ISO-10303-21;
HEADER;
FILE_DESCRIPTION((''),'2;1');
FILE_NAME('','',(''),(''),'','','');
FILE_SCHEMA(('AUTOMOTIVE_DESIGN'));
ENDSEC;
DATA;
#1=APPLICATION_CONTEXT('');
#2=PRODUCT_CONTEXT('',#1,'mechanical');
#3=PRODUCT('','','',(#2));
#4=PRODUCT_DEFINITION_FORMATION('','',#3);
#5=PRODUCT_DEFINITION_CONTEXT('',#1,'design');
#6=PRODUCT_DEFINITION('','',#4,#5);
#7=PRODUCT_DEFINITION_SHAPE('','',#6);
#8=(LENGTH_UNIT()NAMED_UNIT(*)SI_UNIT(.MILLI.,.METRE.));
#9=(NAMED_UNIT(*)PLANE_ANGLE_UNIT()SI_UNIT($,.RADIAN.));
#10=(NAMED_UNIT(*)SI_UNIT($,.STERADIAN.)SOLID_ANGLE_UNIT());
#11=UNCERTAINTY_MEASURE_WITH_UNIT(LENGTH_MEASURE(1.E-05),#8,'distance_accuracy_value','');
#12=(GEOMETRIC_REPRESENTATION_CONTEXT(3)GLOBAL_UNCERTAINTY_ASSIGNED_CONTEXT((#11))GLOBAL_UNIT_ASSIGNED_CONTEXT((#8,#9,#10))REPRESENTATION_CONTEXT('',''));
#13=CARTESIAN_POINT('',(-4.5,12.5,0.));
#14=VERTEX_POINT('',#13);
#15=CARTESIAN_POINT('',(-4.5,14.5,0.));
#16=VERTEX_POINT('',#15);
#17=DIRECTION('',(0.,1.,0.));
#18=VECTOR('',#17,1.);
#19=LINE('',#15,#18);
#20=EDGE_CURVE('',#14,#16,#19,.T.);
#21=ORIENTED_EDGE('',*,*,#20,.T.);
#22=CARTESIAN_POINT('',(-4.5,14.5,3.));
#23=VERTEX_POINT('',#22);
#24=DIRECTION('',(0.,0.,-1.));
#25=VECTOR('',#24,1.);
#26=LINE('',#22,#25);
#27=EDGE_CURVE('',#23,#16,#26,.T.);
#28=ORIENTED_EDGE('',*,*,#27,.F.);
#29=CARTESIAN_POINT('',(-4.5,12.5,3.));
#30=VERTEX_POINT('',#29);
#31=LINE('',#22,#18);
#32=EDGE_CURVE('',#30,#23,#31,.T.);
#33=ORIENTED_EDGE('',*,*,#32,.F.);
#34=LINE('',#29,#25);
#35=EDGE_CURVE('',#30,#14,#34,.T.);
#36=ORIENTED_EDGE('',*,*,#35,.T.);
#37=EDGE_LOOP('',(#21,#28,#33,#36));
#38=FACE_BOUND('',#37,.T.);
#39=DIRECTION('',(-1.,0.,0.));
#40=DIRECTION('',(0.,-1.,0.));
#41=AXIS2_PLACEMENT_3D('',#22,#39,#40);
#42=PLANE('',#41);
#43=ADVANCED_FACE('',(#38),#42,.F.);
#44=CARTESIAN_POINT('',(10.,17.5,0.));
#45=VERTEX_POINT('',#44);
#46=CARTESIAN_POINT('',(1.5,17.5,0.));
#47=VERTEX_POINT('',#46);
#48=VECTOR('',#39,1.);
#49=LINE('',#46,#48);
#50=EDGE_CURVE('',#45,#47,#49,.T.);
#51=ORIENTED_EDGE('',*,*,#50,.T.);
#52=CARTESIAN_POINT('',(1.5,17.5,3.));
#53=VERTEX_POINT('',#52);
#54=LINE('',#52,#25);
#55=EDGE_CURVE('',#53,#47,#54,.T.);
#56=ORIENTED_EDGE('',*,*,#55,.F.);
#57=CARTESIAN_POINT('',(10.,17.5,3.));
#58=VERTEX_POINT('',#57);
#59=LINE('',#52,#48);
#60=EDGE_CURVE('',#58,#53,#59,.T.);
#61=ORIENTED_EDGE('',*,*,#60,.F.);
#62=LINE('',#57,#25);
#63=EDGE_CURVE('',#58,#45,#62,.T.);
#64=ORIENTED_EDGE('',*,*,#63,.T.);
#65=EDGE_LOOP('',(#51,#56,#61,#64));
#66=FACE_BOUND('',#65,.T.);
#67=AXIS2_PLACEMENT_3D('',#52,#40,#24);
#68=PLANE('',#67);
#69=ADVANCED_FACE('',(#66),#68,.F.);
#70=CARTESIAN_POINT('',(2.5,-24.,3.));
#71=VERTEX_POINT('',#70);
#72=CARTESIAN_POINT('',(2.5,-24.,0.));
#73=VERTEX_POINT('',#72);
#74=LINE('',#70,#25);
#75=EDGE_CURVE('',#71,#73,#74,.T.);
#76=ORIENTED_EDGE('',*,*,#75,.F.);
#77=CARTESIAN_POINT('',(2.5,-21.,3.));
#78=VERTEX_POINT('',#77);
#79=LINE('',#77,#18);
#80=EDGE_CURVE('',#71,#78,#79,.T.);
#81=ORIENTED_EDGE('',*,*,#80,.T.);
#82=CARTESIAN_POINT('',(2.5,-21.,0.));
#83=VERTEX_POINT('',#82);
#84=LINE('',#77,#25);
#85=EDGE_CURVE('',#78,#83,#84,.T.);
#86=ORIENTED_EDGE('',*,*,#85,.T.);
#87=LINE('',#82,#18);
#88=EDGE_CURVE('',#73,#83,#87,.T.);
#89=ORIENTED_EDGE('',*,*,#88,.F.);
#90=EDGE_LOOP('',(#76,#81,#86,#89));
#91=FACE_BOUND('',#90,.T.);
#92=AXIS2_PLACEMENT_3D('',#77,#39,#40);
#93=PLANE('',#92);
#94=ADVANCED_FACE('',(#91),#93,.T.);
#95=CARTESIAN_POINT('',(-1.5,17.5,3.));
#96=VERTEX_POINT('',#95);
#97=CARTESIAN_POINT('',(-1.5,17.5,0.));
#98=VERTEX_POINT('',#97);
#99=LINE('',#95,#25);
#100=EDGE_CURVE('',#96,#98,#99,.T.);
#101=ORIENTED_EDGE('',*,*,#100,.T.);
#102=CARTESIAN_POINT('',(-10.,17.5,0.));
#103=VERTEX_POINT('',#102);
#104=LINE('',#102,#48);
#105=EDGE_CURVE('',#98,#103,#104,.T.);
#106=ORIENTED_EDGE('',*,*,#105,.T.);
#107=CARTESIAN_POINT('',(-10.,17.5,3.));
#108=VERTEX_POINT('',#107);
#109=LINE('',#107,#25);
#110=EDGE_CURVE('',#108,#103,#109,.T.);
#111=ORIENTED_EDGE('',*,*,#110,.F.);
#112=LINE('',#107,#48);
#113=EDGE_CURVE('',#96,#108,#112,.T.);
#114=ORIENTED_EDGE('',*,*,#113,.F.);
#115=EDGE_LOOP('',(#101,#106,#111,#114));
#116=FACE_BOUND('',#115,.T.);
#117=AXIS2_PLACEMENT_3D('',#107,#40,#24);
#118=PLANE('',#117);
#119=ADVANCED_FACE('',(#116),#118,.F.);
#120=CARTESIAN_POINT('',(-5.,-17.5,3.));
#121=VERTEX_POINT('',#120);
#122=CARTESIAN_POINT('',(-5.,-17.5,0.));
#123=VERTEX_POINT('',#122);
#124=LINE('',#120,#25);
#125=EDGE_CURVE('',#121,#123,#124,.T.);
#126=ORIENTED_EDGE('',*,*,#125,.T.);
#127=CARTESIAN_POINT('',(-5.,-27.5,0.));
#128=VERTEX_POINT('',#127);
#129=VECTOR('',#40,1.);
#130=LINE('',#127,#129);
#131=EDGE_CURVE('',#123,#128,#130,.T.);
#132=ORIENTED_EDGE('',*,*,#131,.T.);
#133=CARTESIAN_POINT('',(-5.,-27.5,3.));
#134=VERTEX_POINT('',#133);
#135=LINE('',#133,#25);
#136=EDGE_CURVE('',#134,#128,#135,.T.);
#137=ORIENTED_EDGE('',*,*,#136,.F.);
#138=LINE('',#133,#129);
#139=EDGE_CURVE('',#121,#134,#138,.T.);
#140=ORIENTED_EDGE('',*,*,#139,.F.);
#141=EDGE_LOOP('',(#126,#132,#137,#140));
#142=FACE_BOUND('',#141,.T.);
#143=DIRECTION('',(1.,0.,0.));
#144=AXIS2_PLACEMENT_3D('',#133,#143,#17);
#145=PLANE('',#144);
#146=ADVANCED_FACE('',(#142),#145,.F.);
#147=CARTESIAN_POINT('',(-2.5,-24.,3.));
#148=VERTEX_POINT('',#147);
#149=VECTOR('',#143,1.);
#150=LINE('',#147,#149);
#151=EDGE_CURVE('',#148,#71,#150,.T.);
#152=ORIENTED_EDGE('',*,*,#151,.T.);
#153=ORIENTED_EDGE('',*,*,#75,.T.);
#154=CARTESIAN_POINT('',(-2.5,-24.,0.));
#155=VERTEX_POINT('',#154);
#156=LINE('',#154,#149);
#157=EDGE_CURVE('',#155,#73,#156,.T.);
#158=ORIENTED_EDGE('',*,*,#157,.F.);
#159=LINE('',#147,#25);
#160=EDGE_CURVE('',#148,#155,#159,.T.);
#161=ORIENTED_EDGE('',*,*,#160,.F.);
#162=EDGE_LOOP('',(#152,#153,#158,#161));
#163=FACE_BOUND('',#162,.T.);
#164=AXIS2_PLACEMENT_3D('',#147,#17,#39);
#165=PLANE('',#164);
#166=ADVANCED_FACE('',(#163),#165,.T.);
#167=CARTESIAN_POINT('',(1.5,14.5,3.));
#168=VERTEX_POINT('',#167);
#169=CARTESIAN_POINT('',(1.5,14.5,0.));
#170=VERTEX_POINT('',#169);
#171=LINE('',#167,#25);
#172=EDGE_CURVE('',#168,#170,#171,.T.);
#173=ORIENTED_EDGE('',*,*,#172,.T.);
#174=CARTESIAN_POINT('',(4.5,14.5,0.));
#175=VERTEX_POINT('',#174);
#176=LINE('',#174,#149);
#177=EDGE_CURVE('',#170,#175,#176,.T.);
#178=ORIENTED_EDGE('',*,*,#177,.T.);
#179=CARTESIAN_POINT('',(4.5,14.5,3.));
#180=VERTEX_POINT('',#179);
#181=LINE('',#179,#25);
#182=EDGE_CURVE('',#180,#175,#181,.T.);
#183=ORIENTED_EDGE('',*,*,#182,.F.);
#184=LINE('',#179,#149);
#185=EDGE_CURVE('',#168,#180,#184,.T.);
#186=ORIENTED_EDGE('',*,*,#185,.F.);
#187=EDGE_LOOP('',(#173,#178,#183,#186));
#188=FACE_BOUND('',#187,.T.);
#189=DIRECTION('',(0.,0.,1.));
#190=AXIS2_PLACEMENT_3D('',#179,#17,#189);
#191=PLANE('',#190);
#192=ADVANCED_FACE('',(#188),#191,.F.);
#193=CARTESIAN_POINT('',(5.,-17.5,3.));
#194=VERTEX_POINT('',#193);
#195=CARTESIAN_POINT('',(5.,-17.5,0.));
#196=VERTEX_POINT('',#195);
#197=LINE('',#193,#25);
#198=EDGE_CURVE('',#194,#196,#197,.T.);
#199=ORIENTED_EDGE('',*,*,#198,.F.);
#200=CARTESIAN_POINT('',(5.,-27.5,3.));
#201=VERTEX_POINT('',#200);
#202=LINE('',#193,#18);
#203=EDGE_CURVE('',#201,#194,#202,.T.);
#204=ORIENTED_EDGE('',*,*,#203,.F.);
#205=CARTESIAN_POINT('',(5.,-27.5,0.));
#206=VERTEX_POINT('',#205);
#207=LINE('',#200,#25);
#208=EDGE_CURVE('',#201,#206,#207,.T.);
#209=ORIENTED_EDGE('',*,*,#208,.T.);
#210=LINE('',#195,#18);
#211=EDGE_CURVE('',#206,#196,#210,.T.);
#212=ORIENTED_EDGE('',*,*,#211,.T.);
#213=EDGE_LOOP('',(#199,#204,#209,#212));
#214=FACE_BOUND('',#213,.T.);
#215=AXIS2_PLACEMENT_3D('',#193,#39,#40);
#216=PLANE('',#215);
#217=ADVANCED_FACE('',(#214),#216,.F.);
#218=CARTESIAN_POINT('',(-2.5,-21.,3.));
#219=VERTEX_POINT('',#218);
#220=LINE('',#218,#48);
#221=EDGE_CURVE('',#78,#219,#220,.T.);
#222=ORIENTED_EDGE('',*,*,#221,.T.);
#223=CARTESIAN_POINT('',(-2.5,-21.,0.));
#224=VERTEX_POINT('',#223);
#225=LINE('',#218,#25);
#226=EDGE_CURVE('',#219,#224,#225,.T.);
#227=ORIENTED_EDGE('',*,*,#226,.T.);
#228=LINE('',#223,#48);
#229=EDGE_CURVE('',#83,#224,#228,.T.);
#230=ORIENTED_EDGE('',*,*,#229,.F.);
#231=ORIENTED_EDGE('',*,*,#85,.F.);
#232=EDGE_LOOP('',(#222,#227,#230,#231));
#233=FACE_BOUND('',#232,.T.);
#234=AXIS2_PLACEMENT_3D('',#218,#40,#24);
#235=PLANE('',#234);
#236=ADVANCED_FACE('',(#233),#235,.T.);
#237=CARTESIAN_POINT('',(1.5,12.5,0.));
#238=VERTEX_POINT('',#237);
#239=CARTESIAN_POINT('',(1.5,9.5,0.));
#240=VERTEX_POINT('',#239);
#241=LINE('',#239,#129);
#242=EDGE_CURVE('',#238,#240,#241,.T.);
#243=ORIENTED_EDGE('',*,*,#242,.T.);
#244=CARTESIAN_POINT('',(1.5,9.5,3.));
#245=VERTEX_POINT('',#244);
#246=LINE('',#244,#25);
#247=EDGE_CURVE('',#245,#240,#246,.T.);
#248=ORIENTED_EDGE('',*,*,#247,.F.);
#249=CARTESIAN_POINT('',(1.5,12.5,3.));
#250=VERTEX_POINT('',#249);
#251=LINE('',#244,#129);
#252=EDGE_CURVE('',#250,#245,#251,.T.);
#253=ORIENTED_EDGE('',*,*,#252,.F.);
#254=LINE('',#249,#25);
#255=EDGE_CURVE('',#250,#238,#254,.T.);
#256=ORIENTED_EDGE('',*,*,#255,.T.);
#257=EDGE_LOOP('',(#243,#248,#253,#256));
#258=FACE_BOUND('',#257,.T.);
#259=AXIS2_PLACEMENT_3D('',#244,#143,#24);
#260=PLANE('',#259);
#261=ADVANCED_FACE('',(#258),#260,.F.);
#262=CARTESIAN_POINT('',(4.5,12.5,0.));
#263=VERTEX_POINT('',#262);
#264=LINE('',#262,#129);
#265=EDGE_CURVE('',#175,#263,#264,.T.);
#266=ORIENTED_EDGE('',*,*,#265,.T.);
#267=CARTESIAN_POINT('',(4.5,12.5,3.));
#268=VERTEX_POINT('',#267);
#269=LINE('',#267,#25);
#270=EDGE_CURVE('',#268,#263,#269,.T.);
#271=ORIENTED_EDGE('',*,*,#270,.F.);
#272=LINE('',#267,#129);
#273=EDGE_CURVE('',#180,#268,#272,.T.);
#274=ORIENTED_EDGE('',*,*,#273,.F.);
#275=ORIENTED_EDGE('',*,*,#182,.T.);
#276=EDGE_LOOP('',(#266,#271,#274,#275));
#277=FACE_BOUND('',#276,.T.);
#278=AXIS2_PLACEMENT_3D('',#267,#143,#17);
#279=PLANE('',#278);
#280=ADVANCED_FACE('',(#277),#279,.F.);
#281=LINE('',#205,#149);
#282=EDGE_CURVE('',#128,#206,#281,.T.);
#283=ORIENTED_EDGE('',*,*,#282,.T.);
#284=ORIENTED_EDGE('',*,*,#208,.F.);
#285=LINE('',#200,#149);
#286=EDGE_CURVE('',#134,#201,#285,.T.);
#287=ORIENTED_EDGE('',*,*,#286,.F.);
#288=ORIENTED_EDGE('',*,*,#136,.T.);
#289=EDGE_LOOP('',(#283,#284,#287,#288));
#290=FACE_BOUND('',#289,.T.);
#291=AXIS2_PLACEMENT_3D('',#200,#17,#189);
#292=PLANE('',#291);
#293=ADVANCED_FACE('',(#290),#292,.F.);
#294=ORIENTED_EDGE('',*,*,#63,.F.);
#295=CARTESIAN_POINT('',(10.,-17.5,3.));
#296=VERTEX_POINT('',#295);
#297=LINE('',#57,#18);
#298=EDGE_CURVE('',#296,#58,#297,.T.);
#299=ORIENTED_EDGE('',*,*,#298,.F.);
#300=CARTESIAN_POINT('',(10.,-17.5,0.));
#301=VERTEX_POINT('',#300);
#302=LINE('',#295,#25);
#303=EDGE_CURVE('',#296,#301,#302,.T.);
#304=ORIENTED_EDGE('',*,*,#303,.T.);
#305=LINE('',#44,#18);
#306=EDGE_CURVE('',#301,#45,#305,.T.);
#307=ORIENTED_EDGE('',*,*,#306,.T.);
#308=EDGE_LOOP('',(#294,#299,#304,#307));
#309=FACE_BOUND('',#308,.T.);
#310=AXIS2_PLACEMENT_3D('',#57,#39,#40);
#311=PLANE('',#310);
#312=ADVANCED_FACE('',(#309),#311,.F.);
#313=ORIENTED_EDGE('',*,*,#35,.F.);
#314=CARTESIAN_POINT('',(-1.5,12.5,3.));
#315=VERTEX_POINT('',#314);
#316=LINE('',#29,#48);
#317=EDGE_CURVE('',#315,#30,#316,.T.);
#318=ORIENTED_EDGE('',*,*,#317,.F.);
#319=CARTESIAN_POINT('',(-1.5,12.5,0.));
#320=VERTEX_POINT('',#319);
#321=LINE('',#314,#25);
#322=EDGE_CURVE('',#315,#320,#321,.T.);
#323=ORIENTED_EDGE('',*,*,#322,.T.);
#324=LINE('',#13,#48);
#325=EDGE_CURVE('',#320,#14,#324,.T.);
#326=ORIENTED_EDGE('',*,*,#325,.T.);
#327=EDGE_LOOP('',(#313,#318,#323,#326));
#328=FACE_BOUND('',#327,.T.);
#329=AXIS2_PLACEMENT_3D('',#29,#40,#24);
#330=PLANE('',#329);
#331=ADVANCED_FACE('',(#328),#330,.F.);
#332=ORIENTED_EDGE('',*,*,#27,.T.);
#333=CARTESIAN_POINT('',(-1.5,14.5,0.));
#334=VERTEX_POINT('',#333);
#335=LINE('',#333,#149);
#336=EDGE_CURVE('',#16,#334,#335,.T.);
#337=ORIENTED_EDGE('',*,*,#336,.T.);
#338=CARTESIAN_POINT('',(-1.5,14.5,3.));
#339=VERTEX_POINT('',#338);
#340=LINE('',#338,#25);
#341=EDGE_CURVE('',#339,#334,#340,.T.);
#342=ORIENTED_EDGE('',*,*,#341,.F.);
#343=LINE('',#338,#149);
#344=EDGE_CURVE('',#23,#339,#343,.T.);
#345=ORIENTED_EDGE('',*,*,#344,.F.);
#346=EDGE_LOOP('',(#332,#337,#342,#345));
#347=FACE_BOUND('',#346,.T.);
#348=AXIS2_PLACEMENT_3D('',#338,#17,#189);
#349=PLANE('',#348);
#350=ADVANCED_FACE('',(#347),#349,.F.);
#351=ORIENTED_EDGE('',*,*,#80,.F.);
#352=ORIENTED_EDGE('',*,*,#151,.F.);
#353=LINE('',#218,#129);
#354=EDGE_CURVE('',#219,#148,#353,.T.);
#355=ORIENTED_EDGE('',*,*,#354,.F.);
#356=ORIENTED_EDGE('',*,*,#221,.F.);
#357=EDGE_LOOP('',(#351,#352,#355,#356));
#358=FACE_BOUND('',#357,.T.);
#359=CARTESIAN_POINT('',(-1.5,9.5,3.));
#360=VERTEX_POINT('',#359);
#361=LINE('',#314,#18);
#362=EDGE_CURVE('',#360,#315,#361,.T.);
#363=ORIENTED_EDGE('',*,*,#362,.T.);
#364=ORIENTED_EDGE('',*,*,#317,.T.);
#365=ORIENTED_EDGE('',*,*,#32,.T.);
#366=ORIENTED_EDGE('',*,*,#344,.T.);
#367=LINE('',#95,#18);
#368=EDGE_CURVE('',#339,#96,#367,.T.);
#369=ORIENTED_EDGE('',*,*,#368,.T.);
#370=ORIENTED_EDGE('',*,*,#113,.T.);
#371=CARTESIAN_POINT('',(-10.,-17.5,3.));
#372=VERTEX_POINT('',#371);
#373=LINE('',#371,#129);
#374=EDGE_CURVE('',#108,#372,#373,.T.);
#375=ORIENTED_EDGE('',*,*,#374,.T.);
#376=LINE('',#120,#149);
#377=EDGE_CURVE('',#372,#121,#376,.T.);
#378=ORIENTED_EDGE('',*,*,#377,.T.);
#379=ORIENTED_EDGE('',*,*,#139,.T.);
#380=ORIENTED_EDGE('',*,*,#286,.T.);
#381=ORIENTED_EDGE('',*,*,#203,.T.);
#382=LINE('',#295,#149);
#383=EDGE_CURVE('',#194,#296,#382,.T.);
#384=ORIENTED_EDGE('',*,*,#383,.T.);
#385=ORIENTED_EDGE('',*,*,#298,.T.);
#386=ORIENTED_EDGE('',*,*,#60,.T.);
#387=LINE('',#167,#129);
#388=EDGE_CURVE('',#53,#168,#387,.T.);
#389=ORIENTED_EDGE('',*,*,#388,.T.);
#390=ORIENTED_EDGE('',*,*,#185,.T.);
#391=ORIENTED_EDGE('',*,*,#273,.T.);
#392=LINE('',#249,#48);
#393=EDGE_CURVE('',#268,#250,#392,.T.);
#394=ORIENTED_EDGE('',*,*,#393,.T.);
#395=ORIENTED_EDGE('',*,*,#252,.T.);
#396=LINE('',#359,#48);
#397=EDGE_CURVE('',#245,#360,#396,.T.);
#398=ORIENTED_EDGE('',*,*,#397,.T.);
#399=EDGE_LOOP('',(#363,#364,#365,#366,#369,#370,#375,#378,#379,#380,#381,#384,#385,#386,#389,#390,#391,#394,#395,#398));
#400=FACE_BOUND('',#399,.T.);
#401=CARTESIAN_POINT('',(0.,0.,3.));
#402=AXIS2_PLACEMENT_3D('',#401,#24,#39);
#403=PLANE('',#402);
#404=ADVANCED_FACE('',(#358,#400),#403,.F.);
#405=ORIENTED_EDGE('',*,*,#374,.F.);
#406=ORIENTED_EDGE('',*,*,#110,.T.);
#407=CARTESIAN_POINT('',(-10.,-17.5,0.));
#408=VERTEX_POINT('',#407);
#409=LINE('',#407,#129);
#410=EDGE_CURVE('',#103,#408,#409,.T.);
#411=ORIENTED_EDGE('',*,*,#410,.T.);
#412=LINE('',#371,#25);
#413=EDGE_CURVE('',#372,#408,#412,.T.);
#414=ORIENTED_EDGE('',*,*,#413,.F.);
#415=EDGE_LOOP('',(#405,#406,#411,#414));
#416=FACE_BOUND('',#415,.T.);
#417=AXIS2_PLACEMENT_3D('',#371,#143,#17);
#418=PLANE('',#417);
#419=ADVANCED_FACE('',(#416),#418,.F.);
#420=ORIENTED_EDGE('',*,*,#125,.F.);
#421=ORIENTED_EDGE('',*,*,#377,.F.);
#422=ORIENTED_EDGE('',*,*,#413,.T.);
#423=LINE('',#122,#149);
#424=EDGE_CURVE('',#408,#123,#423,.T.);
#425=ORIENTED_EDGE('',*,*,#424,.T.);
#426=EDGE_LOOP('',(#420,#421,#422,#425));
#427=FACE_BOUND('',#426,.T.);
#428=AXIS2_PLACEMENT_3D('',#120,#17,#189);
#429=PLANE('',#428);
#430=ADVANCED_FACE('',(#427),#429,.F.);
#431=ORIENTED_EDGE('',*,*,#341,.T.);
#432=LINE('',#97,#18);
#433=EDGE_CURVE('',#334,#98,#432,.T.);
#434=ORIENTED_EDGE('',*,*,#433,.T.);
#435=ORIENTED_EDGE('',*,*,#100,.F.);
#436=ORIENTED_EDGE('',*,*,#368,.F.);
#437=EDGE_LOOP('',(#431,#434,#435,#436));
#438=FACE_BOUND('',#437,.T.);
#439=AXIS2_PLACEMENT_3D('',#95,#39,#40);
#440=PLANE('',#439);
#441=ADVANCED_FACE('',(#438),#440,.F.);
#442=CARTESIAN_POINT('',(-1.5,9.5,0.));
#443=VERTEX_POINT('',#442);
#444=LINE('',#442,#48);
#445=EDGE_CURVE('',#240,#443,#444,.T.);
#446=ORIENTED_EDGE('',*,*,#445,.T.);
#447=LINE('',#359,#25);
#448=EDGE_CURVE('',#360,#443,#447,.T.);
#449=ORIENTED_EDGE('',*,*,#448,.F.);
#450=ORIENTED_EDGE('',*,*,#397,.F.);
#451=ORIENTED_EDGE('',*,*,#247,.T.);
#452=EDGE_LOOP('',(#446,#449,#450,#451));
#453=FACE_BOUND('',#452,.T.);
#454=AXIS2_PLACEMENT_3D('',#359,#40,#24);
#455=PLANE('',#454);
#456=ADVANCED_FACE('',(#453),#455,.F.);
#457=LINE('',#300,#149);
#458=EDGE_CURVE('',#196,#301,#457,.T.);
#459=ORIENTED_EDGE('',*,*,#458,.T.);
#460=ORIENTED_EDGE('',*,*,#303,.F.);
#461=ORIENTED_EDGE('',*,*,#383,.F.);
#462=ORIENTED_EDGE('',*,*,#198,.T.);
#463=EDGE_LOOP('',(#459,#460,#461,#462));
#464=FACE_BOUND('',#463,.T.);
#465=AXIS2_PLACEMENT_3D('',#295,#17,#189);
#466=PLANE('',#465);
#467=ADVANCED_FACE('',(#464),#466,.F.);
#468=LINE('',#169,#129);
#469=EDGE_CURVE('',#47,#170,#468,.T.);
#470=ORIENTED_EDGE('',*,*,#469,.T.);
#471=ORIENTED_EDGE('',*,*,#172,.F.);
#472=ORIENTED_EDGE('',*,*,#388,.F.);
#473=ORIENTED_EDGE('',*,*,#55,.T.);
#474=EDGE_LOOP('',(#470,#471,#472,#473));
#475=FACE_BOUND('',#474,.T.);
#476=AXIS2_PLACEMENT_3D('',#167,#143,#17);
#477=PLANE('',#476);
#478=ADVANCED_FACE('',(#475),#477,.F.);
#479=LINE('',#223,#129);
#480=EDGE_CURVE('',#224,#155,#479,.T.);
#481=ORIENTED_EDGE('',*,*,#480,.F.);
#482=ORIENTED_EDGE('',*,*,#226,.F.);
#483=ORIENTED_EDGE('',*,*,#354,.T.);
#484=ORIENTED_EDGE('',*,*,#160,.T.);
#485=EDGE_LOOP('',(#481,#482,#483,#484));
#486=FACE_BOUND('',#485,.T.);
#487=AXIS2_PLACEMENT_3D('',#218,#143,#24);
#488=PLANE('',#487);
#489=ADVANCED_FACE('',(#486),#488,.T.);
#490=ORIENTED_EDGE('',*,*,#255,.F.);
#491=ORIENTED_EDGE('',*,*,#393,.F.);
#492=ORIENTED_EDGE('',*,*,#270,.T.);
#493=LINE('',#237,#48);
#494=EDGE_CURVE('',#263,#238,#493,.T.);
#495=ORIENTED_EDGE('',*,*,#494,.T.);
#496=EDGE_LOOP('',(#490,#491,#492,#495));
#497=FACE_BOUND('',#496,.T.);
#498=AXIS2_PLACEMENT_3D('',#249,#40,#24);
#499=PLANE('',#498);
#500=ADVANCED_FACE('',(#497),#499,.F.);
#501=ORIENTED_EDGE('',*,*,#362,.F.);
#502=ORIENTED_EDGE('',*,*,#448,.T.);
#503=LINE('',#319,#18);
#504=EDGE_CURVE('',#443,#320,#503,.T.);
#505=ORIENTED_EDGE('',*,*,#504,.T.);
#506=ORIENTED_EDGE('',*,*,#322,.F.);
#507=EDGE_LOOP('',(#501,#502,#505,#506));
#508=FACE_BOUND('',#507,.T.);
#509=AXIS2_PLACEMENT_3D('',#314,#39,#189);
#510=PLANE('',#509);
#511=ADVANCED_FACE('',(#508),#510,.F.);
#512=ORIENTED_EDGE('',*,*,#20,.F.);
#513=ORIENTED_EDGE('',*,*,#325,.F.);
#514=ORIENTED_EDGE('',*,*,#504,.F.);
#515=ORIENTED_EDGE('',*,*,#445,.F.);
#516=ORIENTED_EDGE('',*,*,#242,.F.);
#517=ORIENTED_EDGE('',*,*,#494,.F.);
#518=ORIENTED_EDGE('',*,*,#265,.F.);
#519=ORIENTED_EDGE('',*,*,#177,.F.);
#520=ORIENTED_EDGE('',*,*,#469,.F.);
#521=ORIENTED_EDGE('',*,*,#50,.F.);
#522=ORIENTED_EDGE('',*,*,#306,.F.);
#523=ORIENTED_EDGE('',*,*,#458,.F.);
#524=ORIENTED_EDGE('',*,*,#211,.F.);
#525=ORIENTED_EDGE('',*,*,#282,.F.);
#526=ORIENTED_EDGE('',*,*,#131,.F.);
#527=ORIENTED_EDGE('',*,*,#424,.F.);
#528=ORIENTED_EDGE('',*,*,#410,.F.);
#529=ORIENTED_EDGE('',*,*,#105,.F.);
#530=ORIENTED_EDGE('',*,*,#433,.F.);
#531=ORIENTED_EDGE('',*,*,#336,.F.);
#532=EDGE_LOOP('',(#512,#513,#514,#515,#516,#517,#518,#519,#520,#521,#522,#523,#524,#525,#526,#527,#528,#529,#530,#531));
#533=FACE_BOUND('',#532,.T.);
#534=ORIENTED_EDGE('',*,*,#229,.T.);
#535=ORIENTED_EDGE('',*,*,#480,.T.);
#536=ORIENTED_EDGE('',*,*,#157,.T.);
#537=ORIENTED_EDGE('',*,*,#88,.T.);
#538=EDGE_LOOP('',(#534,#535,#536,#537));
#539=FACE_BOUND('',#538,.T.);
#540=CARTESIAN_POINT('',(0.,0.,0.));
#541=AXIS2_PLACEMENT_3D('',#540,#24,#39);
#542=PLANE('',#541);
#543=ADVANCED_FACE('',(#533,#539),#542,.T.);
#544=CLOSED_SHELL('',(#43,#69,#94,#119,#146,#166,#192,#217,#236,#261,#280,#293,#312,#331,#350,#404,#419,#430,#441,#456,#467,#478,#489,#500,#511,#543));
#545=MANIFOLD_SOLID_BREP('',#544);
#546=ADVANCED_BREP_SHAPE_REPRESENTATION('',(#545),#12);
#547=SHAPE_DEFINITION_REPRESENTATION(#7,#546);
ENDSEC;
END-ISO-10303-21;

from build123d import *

# Parameters (mm, degrees)
SKETCH1_W           = 5
SKETCH1_H           = 3
BOSS_EXTRUDE1_DEPTH = 3


with BuildPart() as part:
    # Sketch1 → Boss-Extrude1 (new body)
    with BuildSketch(Plane.XY):
        Polygon((-1.5, 17.5), (-1.5, 14.5), (-4.5, 14.5), (-4.5, 12.5), (-1.5, 12.5), (-1.5, 9.5), (1.5, 9.5), (1.5, 12.5), (4.5, 12.5), (4.5, 14.5), (1.5, 14.5), (1.5, 17.5), (10, 17.5), (10, -17.5), (5, -17.5), (5, -27.5), (-5, -27.5), (-5, -17.5), (-10, -17.5), (-10, 17.5), align=None)
        with Locations((0, -22.5)):
            Rectangle(SKETCH1_W, SKETCH1_H, mode=Mode.SUBTRACT)
    extrude(amount=BOSS_EXTRUDE1_DEPTH)


solid = part.part
